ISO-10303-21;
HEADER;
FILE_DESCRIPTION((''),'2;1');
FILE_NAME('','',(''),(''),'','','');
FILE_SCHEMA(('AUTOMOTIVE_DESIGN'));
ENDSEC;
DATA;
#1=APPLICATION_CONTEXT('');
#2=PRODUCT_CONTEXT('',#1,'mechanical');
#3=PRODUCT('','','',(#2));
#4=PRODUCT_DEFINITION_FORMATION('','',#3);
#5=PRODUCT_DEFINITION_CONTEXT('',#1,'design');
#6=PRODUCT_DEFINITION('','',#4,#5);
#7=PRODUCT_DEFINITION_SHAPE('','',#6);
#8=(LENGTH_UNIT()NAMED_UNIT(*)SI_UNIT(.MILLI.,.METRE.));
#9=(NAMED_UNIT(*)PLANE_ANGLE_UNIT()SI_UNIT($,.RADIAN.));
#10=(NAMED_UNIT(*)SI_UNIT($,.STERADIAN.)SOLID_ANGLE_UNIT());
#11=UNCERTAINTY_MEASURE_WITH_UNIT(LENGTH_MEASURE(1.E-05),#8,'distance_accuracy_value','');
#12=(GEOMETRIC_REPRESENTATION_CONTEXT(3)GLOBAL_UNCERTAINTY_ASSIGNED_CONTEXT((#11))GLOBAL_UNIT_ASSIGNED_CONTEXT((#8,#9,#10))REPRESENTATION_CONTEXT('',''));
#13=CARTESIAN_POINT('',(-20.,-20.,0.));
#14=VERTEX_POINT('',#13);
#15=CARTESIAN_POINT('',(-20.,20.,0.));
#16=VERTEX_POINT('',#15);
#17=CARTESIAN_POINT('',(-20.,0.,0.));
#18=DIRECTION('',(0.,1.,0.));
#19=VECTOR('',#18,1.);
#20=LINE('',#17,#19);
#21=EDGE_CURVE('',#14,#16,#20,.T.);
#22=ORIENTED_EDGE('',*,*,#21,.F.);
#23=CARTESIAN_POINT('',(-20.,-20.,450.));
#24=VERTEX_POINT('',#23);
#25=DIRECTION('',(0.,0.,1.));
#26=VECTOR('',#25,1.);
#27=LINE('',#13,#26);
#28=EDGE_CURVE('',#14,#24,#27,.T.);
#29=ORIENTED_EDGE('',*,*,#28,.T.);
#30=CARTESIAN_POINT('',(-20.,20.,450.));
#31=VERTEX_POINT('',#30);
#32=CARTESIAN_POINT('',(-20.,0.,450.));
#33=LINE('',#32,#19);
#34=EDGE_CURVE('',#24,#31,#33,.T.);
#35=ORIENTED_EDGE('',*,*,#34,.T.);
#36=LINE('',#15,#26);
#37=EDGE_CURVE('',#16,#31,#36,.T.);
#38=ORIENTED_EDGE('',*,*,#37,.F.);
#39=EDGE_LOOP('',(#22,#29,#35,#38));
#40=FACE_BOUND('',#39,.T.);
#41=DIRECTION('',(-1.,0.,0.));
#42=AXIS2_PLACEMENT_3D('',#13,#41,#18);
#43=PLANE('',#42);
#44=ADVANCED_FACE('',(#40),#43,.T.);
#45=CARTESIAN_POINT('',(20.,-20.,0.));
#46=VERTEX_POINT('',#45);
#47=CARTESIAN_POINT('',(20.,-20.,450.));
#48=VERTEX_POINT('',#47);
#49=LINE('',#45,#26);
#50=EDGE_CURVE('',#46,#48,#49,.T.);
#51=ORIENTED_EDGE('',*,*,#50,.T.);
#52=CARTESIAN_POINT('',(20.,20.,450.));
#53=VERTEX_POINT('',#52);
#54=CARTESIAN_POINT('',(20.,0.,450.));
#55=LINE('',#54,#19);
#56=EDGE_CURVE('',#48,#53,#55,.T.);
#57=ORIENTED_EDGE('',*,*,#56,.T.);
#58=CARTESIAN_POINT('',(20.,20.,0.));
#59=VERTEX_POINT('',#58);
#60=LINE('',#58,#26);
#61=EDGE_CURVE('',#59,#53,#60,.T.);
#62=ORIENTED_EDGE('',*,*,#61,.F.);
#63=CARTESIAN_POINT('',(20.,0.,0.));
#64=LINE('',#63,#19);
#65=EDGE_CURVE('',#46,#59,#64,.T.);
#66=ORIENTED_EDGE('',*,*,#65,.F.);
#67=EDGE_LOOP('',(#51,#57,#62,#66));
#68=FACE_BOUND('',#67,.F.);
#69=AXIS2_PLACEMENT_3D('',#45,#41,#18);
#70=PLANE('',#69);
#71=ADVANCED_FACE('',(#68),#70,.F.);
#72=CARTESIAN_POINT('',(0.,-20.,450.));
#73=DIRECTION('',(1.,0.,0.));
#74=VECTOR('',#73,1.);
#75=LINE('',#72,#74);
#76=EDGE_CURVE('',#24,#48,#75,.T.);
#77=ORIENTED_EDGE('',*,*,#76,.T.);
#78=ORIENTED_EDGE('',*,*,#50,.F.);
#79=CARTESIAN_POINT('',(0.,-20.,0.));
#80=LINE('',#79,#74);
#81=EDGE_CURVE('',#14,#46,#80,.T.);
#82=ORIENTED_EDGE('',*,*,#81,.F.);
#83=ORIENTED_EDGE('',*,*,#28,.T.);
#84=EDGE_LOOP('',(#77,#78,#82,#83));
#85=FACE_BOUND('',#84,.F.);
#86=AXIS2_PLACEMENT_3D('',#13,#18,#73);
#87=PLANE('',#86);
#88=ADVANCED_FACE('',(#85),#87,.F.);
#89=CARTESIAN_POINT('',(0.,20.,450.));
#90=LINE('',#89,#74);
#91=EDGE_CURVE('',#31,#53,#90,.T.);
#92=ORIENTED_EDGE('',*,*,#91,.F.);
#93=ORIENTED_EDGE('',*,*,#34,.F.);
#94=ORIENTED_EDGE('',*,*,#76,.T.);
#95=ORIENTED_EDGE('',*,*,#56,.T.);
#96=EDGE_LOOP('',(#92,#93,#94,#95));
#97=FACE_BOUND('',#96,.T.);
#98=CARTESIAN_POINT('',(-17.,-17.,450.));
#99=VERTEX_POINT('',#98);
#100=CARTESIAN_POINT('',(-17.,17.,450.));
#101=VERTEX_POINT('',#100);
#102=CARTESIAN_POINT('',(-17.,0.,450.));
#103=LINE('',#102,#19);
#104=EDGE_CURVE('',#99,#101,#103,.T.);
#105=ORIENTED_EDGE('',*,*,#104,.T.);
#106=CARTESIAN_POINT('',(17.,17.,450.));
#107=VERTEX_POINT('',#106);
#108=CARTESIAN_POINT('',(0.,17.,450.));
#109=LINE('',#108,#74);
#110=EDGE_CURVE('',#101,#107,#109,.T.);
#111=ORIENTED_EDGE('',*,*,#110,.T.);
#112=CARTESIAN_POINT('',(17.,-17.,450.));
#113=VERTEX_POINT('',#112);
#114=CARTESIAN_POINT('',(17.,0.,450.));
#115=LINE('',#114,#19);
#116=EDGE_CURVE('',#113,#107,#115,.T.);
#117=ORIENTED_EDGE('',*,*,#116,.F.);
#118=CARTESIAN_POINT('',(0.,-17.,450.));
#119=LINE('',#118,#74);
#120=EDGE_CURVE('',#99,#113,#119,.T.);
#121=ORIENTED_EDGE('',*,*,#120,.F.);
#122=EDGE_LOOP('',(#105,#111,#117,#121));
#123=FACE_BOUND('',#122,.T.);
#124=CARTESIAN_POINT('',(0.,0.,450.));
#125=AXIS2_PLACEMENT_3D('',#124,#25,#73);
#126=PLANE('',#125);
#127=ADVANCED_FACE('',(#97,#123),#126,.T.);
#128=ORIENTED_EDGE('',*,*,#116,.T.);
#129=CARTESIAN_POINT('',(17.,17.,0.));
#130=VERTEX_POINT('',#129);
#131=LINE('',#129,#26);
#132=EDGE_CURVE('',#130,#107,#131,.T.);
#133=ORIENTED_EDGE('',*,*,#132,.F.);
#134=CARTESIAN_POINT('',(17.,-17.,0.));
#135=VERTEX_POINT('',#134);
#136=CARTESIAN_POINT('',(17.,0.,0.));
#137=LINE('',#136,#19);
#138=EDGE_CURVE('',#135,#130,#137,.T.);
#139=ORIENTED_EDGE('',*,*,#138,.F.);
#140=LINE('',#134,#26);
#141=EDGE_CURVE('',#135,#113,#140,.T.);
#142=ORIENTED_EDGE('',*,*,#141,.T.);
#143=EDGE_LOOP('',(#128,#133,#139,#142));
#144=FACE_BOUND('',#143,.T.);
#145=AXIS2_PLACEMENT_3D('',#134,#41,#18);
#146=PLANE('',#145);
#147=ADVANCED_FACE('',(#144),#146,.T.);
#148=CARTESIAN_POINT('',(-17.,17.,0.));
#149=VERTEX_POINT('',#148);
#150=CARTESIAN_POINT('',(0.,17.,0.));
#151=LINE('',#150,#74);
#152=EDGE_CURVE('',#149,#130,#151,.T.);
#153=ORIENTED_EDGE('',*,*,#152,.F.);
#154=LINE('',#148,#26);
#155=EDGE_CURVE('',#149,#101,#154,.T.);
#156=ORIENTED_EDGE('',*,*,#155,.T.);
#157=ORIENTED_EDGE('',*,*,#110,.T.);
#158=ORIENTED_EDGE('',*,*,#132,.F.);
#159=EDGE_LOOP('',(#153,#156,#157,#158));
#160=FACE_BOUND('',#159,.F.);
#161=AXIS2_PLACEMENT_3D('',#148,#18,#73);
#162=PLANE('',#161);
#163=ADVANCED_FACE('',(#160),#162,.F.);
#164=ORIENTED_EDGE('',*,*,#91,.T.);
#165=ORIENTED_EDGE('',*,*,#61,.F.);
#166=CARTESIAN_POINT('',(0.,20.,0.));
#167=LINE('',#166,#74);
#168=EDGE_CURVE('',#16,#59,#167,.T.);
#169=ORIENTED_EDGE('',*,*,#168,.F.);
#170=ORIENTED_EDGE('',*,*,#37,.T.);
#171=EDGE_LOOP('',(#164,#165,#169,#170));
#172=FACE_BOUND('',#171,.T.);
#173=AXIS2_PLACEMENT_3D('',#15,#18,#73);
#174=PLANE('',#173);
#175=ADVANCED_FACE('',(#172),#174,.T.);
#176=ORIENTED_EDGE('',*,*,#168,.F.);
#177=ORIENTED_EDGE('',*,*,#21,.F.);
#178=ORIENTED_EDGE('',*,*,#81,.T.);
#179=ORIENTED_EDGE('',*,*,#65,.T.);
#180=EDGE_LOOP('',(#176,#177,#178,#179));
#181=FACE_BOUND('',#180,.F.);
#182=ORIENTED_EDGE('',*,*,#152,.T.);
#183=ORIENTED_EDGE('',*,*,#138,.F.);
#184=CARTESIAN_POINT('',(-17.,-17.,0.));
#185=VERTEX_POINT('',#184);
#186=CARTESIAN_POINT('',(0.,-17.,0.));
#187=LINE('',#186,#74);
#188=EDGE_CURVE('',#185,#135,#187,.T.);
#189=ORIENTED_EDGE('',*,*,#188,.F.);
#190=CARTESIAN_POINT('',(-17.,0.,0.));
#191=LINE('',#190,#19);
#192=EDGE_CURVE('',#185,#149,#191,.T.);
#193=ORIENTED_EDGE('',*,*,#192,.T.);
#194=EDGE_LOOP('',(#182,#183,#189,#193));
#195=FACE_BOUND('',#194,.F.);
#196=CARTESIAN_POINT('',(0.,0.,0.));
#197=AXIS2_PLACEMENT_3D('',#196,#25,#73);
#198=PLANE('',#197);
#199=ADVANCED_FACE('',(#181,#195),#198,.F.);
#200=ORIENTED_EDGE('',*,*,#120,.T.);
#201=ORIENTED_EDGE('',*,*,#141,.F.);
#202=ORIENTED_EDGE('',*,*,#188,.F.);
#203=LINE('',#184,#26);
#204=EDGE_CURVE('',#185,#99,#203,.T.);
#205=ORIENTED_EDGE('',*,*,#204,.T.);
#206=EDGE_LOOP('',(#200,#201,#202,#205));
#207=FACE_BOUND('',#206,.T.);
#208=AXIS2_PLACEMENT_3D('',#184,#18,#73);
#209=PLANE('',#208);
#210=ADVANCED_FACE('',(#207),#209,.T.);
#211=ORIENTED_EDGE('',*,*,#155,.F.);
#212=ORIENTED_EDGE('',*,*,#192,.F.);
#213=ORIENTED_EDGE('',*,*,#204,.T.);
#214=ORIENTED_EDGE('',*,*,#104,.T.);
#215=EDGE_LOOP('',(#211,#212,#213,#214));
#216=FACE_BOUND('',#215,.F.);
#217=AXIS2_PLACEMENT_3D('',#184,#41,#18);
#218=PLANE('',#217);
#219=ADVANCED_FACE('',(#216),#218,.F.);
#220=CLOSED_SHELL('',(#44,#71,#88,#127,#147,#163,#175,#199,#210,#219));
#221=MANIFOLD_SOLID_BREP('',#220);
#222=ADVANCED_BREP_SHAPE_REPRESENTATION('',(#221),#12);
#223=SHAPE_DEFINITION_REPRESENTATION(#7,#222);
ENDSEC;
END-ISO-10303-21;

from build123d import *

# Parameters (mm, degrees)
SKETCH1_W           = 40
SKETCH1_H           = 40
SKETCH1_W_2         = 34
SKETCH1_H_2         = 34
BOSS_EXTRUDE1_DEPTH = 450


with BuildPart() as part:
    # Sketch1 → Boss-Extrude1 (new body)
    with BuildSketch(Plane.XY):
        Rectangle(SKETCH1_W, SKETCH1_H)
        Rectangle(SKETCH1_W_2, SKETCH1_H_2, mode=Mode.SUBTRACT)
    extrude(amount=BOSS_EXTRUDE1_DEPTH)


solid = part.part
